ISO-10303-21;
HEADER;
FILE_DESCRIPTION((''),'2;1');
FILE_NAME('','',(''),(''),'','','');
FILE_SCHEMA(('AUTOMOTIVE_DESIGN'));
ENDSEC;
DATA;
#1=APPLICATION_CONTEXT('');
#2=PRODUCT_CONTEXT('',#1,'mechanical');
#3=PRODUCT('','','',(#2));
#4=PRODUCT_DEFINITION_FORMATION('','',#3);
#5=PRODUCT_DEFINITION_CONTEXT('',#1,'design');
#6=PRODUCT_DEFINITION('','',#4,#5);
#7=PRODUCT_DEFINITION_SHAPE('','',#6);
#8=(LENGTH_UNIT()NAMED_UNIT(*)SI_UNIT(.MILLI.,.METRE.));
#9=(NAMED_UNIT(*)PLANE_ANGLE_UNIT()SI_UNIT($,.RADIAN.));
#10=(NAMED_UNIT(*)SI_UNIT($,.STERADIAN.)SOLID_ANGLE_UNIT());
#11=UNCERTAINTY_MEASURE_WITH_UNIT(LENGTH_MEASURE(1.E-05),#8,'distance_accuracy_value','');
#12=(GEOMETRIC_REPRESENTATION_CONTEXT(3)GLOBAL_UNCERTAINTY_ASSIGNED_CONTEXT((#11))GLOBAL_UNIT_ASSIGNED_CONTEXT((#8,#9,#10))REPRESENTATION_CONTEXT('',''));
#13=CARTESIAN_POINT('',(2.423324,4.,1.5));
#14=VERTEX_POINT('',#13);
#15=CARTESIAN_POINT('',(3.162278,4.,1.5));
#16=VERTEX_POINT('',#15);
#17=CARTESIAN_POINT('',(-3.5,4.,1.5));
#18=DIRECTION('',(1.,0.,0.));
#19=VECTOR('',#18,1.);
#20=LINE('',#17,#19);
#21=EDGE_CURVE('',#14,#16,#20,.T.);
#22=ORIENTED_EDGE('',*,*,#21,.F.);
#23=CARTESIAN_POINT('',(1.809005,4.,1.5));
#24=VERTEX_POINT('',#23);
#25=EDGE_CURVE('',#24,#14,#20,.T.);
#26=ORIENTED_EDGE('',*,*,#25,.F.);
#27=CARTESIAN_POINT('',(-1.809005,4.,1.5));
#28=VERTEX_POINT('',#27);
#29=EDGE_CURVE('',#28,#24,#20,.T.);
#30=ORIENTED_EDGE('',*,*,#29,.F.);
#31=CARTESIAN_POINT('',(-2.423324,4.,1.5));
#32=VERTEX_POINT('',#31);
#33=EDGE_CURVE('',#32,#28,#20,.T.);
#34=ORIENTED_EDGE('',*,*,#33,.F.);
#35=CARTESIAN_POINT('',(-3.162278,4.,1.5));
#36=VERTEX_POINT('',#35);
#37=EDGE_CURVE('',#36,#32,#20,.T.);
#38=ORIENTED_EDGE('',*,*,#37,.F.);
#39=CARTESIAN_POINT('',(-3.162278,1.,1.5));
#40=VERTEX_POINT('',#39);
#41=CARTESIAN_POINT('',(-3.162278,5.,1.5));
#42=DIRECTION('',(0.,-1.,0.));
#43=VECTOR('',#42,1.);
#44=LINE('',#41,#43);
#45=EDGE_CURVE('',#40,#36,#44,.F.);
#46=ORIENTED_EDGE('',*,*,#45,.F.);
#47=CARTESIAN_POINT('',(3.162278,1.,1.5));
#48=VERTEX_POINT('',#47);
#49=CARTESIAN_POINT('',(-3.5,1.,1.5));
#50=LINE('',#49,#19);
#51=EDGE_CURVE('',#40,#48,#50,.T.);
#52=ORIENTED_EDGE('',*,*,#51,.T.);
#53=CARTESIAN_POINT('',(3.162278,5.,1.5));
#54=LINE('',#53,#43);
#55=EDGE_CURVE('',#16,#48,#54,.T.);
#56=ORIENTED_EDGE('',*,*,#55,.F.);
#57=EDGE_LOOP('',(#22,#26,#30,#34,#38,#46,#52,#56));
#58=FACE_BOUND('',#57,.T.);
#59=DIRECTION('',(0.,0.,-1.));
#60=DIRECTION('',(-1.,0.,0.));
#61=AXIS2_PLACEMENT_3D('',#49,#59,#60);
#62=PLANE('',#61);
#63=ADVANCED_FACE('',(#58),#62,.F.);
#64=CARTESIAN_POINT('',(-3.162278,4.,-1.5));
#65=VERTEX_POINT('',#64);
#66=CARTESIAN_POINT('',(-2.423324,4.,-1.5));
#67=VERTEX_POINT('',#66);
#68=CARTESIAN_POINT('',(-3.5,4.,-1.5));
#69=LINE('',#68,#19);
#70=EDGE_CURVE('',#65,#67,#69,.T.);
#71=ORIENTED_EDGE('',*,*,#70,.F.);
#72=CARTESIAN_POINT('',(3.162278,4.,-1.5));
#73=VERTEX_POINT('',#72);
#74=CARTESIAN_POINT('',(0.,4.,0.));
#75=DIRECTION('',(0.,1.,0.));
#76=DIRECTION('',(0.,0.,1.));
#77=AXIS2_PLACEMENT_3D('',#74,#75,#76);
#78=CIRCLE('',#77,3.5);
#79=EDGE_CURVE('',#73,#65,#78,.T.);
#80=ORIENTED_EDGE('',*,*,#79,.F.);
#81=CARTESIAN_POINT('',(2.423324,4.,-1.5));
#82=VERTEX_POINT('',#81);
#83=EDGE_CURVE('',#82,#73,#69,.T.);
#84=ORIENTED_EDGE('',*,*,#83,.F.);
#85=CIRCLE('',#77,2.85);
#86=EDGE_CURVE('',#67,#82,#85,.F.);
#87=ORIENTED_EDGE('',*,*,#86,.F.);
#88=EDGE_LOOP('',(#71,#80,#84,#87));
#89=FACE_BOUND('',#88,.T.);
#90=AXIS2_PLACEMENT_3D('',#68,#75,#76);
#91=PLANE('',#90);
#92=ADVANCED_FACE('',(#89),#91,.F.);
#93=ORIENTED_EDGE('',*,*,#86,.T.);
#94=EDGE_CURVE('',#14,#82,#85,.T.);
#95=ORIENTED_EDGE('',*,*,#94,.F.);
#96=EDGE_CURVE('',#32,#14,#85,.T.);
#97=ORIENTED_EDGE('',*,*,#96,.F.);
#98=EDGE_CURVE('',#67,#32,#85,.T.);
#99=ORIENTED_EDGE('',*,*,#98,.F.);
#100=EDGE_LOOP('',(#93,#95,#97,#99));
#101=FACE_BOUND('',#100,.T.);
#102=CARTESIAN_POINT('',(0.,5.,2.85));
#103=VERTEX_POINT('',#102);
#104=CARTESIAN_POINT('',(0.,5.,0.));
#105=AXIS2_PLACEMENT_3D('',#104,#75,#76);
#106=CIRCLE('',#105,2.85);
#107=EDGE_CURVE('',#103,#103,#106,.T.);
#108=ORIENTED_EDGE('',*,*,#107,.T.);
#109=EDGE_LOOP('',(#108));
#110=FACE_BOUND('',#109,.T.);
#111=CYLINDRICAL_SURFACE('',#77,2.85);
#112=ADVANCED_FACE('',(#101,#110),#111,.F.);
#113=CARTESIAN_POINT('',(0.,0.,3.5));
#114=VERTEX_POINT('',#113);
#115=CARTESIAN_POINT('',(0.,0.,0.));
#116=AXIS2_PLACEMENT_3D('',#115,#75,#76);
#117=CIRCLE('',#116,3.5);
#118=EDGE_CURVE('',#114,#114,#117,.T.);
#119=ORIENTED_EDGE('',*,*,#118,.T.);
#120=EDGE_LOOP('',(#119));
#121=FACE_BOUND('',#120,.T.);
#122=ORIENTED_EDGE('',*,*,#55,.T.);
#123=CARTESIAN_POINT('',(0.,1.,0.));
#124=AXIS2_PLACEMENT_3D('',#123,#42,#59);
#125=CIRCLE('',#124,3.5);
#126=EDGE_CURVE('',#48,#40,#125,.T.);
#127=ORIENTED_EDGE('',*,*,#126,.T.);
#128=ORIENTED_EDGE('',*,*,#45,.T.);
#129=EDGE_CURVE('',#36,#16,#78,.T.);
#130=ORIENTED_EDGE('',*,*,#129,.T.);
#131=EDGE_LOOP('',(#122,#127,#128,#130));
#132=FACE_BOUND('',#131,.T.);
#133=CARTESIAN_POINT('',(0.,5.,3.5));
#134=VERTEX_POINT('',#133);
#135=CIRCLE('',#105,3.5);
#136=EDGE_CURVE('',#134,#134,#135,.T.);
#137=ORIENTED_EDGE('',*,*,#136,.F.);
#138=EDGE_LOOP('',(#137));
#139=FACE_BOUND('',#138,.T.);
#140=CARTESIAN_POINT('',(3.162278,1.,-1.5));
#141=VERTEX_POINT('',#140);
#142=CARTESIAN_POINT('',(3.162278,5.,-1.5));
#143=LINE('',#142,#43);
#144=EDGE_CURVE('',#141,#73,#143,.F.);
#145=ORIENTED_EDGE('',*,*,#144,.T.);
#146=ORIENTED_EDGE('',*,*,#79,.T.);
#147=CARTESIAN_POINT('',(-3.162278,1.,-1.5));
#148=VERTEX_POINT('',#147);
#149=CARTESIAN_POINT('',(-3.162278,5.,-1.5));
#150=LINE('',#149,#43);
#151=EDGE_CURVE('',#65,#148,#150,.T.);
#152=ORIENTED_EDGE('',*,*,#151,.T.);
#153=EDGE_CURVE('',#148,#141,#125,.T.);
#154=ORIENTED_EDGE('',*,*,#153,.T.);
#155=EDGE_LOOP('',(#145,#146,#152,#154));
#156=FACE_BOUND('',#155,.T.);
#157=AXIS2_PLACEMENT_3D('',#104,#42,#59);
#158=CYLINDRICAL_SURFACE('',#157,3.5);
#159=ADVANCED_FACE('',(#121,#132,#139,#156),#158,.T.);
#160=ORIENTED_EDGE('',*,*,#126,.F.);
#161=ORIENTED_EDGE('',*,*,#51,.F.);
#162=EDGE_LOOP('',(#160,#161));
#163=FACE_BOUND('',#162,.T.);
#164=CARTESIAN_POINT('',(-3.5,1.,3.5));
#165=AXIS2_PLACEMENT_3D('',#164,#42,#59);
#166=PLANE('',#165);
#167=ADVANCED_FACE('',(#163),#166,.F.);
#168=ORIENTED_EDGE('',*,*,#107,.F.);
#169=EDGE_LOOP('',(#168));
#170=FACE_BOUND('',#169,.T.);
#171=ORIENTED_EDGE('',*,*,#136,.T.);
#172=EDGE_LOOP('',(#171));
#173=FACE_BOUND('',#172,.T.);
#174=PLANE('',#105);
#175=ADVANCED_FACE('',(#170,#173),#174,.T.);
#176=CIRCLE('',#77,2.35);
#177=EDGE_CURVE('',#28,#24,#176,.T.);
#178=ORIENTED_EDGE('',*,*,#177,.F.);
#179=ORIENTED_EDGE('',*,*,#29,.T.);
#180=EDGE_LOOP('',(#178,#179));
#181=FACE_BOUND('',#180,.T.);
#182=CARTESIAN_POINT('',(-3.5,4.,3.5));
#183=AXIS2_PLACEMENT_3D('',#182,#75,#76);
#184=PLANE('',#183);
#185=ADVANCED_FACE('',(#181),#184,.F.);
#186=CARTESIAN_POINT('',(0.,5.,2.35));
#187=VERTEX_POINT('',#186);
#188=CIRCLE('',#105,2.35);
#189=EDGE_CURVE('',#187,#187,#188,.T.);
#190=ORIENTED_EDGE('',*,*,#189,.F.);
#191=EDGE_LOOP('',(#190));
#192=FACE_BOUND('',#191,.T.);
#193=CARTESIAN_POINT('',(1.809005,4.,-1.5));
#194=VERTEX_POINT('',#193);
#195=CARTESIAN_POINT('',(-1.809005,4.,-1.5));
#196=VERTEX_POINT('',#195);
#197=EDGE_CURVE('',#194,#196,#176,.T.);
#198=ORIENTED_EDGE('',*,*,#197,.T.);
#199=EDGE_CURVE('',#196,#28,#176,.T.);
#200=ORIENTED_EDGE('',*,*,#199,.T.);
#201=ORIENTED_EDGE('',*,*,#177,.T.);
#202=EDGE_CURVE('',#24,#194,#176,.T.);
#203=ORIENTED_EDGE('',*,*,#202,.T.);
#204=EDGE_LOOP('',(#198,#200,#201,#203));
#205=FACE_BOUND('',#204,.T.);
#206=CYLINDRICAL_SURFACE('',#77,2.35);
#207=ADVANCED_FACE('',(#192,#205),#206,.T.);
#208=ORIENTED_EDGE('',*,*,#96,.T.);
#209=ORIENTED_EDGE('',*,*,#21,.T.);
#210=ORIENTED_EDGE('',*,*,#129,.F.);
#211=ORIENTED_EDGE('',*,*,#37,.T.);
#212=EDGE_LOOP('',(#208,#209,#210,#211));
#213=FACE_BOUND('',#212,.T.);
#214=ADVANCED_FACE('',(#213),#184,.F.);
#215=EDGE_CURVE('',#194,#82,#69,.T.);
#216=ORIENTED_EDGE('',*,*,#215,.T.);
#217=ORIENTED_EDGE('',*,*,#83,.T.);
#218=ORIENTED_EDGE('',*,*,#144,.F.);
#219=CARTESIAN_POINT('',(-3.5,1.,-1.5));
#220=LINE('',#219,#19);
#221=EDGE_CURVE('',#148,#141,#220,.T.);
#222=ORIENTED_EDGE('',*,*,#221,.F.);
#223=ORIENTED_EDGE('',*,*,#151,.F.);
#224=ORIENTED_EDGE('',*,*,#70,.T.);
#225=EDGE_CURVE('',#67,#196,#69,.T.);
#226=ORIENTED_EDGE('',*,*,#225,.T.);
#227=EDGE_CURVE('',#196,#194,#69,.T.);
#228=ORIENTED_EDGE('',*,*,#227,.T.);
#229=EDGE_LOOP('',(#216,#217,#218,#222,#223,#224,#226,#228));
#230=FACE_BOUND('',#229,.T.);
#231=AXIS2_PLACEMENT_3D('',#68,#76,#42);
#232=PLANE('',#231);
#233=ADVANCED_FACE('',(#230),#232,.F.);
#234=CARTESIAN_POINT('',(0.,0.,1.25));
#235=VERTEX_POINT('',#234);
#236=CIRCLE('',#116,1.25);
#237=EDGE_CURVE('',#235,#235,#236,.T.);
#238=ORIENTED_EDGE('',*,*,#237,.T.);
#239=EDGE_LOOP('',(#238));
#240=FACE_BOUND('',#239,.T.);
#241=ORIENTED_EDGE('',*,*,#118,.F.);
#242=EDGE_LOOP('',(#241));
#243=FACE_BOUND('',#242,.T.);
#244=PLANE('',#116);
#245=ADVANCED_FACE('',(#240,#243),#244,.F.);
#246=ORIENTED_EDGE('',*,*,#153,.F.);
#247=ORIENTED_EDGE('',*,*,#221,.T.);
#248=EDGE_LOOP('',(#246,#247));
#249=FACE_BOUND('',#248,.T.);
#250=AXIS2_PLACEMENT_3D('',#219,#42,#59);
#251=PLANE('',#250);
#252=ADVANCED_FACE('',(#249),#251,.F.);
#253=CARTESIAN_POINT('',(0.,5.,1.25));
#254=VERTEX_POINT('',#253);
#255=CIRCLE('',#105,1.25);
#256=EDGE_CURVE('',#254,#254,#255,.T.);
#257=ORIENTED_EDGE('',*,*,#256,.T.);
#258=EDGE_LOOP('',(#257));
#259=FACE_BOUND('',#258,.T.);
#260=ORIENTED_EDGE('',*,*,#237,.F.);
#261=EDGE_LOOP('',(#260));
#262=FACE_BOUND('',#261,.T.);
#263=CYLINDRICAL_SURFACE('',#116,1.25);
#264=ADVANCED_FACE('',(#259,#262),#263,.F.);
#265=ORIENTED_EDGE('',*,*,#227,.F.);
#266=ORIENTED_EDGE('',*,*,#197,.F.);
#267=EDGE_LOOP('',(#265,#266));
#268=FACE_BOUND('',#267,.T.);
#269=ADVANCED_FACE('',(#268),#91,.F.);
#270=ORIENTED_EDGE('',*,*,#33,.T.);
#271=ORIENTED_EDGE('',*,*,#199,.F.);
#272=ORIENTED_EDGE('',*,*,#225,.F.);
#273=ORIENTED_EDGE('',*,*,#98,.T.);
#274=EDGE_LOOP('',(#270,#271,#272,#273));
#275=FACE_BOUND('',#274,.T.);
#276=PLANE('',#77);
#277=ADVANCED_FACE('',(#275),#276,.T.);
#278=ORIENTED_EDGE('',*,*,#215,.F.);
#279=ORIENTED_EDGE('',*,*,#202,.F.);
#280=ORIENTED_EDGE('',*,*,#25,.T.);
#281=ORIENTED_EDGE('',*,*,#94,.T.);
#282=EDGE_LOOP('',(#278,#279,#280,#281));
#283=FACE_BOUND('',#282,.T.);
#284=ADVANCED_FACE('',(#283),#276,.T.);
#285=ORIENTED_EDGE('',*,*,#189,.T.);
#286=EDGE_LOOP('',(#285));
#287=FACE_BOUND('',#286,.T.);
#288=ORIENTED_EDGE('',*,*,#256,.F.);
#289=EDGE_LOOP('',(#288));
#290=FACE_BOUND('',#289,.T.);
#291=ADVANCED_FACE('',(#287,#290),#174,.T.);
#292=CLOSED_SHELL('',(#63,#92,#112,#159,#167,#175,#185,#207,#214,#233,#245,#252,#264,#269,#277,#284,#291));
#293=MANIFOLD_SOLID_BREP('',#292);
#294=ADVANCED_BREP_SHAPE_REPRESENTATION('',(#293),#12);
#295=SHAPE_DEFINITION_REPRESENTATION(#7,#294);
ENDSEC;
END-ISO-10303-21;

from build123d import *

# Parameters (mm, degrees)
ESQUISSE1_R                  = 3.5
BOSS_EXTRU_1_DEPTH           = 5
ESQUISSE2_R                  = 2.85
ESQUISSE2_R_2                = 2.35
ENL_V_MAT_EXTRU_1_DEPTH      = 1
ESQUISSE3_R                  = 1.25
ENL_V_MAT_EXTRU_2_DEPTH      = 6
ESQUISSE4_W                  = 2
ESQUISSE4_H                  = 3
ENL_V_MAT_EXTRU_3_DEPTH      = 4.5
ENL_V_MAT_EXTRU_3_DEPTH_BACK = 4.5


with BuildPart() as part:
    # Esquisse1 → Boss.-Extru.1 (new body)
    with BuildSketch(Plane(origin=(0, 0, 0), x_dir=(1, 0, 0), z_dir=(0, 1, 0))):
        Circle(ESQUISSE1_R)
    extrude(amount=BOSS_EXTRU_1_DEPTH)

    # Esquisse2 → Enlèv. mat.-Extru.1 (cut)
    with BuildSketch(Plane(origin=(0, 5, 0), x_dir=(1, 0, 0), z_dir=(0, 1, 0))):
        Circle(ESQUISSE2_R)
        Circle(ESQUISSE2_R_2, mode=Mode.SUBTRACT)
    extrude(amount=-ENL_V_MAT_EXTRU_1_DEPTH, mode=Mode.SUBTRACT)

    # Esquisse3 → Enlèv. mat.-Extru.2 (cut, through all)
    with BuildSketch(Plane(origin=(0, 5, 0), x_dir=(1, 0, 0), z_dir=(0, 1, 0))):
        Circle(ESQUISSE3_R)
    extrude(amount=-ENL_V_MAT_EXTRU_2_DEPTH, mode=Mode.SUBTRACT)

    # Esquisse4 → Enlèv. mat.-Extru.3 (cut, two sides)
    with BuildSketch(Plane(origin=(0, 0, 0), x_dir=(0, 0, -1), z_dir=(1, 0, 0))) as enl_v_mat_extru_3_sk:
        with Locations((-2.5, 2.5)):
            Rectangle(ESQUISSE4_W, ESQUISSE4_H)
        with Locations((2.5, 2.5)):
            Rectangle(ESQUISSE4_W, ESQUISSE4_H)
    extrude(amount=ENL_V_MAT_EXTRU_3_DEPTH, mode=Mode.SUBTRACT)
    extrude(enl_v_mat_extru_3_sk.sketch, amount=-ENL_V_MAT_EXTRU_3_DEPTH_BACK, mode=Mode.SUBTRACT)


solid = part.part
